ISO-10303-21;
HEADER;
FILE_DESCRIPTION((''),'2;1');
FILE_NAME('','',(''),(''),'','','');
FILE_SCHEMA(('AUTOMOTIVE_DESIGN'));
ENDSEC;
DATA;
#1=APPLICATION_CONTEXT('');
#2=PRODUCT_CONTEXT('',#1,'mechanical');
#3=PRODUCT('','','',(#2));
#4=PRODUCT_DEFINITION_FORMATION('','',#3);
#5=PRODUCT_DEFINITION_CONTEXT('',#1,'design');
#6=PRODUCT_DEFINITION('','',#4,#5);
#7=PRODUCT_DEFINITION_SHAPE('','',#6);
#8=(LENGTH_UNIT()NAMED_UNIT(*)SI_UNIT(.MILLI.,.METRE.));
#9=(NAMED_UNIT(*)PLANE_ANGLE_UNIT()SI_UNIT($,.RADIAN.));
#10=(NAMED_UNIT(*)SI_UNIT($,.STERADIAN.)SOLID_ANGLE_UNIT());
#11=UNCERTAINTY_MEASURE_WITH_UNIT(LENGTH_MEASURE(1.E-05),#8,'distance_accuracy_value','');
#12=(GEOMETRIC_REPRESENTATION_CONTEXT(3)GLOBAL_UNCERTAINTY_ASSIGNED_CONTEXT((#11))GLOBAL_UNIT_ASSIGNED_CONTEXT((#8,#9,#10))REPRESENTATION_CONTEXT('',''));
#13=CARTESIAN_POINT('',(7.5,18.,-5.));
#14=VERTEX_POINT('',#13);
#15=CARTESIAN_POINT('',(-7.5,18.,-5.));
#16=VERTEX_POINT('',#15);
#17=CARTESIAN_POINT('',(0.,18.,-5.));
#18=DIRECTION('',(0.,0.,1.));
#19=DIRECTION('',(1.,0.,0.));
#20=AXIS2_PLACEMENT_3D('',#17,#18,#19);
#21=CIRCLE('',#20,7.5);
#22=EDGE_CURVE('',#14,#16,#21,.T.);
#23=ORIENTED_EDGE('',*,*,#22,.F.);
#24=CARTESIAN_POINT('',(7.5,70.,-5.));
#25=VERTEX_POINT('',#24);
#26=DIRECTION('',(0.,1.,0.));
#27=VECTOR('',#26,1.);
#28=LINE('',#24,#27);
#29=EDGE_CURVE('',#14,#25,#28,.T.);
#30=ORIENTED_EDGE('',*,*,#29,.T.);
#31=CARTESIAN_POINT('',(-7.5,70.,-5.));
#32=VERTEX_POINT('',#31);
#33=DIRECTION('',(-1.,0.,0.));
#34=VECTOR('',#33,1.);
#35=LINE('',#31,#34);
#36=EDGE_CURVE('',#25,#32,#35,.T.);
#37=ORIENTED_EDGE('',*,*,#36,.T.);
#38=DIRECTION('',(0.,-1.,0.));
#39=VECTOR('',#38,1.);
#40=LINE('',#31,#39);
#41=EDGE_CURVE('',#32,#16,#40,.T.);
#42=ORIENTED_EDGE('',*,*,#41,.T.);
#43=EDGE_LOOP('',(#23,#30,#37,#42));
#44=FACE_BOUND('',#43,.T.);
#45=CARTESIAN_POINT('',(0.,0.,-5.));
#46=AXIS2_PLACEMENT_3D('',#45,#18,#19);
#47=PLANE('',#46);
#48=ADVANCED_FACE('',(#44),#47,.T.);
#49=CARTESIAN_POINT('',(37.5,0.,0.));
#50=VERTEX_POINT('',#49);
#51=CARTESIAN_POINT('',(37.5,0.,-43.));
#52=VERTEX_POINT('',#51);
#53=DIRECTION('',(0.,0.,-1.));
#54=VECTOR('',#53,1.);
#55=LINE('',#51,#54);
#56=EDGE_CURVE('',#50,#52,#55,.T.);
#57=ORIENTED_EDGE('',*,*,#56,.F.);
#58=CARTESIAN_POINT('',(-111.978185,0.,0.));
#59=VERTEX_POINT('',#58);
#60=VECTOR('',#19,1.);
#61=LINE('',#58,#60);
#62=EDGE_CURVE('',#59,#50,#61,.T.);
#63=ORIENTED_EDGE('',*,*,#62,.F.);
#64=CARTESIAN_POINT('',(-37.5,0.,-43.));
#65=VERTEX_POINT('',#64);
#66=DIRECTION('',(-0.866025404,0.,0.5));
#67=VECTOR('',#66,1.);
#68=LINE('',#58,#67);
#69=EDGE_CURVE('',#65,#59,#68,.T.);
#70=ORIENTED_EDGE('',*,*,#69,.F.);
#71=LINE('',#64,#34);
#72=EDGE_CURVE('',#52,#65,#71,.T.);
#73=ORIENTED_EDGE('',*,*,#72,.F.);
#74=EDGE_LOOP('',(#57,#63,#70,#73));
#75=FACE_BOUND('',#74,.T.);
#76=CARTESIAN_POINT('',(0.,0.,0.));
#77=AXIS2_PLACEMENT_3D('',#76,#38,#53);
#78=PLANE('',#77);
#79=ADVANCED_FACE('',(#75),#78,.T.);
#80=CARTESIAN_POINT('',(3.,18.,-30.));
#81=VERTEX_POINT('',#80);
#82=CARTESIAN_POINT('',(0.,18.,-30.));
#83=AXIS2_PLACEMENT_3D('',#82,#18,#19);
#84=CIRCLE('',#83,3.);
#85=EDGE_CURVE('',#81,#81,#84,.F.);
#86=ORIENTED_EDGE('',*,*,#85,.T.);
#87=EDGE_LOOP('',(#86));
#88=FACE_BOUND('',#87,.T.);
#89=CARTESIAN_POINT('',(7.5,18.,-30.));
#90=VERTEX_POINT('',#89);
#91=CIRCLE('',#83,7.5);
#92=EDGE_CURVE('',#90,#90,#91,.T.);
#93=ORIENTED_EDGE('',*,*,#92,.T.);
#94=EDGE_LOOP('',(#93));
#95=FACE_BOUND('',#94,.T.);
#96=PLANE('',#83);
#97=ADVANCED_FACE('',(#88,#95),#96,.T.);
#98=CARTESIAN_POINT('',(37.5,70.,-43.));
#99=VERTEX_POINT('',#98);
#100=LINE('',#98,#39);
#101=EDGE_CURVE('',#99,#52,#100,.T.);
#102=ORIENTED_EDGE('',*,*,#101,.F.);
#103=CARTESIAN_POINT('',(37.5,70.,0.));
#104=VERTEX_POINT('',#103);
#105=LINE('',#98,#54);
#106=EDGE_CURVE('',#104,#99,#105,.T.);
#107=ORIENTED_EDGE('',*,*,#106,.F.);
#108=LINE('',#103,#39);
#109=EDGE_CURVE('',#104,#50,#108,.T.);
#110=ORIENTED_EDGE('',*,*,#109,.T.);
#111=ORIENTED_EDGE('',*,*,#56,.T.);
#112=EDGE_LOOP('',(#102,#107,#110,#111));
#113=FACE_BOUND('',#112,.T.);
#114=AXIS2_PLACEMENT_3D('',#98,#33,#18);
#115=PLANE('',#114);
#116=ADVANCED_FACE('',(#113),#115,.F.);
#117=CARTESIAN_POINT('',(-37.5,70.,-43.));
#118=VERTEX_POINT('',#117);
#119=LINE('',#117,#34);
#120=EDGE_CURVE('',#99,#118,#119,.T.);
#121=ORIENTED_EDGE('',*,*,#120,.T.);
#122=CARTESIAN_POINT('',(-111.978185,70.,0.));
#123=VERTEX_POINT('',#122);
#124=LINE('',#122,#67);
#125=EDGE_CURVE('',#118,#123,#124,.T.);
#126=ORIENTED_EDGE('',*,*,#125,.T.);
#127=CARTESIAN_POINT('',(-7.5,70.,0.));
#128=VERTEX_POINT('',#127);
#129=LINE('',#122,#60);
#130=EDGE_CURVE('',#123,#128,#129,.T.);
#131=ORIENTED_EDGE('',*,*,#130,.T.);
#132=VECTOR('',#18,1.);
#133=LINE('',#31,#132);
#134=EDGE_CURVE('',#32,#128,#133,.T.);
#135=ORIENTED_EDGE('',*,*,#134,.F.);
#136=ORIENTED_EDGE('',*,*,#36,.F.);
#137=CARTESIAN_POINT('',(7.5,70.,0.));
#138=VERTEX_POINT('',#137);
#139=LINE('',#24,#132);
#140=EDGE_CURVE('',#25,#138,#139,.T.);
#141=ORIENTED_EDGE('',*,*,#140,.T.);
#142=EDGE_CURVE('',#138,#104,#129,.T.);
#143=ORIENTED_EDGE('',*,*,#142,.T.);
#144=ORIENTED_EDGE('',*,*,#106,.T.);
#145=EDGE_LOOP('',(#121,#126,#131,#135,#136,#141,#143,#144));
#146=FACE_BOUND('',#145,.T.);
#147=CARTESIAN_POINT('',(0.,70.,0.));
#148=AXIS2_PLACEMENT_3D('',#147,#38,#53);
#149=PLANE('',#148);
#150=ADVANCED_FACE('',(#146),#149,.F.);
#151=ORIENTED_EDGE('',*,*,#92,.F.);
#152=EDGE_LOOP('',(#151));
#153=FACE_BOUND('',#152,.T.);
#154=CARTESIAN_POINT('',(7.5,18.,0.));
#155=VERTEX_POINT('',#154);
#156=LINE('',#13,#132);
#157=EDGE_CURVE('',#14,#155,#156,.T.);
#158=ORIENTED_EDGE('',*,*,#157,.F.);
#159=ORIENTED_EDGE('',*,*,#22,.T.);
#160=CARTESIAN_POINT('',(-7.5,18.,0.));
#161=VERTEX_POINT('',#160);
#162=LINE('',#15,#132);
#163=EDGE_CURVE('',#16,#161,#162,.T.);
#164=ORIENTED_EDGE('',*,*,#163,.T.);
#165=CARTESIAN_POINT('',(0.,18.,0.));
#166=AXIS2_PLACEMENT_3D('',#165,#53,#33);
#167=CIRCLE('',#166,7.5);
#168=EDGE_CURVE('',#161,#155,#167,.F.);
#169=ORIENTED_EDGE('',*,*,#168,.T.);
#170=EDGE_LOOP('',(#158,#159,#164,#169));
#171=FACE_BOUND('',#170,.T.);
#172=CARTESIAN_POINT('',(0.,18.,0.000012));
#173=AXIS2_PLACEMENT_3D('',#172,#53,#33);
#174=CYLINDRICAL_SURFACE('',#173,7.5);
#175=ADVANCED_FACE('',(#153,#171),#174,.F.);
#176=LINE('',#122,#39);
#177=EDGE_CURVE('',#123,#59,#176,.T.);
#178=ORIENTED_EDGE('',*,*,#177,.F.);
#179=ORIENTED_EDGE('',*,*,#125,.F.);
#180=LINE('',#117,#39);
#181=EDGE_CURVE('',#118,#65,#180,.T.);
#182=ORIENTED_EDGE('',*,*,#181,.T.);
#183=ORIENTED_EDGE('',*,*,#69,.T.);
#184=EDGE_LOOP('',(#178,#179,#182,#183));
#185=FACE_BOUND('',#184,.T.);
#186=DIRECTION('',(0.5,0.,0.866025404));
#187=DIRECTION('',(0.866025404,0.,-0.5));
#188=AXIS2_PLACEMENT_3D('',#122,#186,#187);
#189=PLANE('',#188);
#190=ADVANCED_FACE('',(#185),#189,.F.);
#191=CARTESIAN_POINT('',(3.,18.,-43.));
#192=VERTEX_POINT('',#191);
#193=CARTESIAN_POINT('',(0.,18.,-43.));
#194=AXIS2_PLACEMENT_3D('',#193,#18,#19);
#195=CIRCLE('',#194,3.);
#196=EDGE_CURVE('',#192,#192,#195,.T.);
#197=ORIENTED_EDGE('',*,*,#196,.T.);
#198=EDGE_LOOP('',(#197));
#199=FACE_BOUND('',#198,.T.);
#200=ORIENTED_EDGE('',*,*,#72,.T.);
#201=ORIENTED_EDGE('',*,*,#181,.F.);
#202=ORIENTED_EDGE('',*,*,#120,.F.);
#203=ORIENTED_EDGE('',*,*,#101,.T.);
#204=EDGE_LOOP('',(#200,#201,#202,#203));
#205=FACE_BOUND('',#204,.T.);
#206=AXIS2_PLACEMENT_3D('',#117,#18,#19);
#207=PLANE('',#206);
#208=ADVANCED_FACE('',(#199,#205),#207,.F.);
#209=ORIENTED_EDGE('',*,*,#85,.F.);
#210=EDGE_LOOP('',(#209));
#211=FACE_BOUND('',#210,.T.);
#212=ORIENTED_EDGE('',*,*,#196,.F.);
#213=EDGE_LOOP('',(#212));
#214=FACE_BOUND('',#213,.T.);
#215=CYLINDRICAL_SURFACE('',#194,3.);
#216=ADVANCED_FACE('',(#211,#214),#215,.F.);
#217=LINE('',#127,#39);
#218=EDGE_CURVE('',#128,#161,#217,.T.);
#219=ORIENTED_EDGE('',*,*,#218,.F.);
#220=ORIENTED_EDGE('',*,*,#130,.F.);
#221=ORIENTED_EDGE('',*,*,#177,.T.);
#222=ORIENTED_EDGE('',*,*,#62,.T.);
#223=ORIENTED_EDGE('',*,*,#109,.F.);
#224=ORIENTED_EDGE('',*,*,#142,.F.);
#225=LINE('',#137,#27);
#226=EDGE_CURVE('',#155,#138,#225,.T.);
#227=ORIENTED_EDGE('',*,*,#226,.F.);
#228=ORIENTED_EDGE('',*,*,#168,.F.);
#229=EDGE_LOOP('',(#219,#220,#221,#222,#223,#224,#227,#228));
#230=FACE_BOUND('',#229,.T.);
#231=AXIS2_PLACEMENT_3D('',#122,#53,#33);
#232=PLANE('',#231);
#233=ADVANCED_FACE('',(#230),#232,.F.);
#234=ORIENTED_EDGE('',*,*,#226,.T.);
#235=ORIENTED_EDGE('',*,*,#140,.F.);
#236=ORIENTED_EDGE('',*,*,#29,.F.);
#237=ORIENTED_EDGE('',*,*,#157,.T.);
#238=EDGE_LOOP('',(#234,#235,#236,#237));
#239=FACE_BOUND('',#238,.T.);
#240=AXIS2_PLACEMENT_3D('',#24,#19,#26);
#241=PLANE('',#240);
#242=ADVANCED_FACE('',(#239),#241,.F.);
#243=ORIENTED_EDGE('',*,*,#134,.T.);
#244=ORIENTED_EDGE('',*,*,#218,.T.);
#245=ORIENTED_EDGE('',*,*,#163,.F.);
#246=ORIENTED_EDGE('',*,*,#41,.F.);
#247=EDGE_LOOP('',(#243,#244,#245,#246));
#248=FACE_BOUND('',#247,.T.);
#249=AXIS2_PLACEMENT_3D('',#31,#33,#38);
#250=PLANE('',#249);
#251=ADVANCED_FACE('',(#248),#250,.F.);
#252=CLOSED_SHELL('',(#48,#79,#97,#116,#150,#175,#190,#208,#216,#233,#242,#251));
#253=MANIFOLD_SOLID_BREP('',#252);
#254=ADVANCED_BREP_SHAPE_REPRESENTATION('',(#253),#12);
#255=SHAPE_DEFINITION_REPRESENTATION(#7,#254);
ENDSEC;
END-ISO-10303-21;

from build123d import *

# Parameters (mm, degrees)
BOSS_EXTRUDE1_DEPTH     = 70
SKETCH3_R               = 3
CUT_EXTRUDE1_DEPTH      = 44
SKETCH7_R               = 7.5
CUT_EXTRUDE3_DEPTH      = 1
CUT_EXTRUDE3_DEPTH_BACK = 30
SKETCH5_W               = 15
SKETCH5_H               = 52
CUT_EXTRUDE2_DEPTH      = 5


with BuildPart() as part:
    # Sketch1 → Boss-Extrude1 (new body)
    with BuildSketch(Plane(origin=(0, 0, 0), x_dir=(1, 0, 0), z_dir=(0, 1, 0))):
        Polygon((-111.978184725, 0), (37.5, 0), (37.5, 43), (-37.5, 43), align=None)
    extrude(amount=BOSS_EXTRUDE1_DEPTH)

    # Sketch3 → Cut-Extrude1 (cut, through all)
    with BuildSketch(Plane.XY):
        with Locations((0, 18)):
            Circle(SKETCH3_R)
    extrude(amount=-CUT_EXTRUDE1_DEPTH, mode=Mode.SUBTRACT)

    # Sketch7 → Cut-Extrude3 (cut, two sides)
    with BuildSketch(Plane.XY) as cut_extrude3_sk:
        with Locations((0, 18)):
            Circle(SKETCH7_R)
    extrude(amount=CUT_EXTRUDE3_DEPTH, mode=Mode.SUBTRACT)
    extrude(cut_extrude3_sk.sketch, amount=-CUT_EXTRUDE3_DEPTH_BACK, mode=Mode.SUBTRACT)

    # Sketch5 → Cut-Extrude2 (cut)
    with BuildSketch(Plane.XY):
        with Locations((0, 44)):
            Rectangle(SKETCH5_W, SKETCH5_H)
    extrude(amount=-CUT_EXTRUDE2_DEPTH, mode=Mode.SUBTRACT)


solid = part.part
